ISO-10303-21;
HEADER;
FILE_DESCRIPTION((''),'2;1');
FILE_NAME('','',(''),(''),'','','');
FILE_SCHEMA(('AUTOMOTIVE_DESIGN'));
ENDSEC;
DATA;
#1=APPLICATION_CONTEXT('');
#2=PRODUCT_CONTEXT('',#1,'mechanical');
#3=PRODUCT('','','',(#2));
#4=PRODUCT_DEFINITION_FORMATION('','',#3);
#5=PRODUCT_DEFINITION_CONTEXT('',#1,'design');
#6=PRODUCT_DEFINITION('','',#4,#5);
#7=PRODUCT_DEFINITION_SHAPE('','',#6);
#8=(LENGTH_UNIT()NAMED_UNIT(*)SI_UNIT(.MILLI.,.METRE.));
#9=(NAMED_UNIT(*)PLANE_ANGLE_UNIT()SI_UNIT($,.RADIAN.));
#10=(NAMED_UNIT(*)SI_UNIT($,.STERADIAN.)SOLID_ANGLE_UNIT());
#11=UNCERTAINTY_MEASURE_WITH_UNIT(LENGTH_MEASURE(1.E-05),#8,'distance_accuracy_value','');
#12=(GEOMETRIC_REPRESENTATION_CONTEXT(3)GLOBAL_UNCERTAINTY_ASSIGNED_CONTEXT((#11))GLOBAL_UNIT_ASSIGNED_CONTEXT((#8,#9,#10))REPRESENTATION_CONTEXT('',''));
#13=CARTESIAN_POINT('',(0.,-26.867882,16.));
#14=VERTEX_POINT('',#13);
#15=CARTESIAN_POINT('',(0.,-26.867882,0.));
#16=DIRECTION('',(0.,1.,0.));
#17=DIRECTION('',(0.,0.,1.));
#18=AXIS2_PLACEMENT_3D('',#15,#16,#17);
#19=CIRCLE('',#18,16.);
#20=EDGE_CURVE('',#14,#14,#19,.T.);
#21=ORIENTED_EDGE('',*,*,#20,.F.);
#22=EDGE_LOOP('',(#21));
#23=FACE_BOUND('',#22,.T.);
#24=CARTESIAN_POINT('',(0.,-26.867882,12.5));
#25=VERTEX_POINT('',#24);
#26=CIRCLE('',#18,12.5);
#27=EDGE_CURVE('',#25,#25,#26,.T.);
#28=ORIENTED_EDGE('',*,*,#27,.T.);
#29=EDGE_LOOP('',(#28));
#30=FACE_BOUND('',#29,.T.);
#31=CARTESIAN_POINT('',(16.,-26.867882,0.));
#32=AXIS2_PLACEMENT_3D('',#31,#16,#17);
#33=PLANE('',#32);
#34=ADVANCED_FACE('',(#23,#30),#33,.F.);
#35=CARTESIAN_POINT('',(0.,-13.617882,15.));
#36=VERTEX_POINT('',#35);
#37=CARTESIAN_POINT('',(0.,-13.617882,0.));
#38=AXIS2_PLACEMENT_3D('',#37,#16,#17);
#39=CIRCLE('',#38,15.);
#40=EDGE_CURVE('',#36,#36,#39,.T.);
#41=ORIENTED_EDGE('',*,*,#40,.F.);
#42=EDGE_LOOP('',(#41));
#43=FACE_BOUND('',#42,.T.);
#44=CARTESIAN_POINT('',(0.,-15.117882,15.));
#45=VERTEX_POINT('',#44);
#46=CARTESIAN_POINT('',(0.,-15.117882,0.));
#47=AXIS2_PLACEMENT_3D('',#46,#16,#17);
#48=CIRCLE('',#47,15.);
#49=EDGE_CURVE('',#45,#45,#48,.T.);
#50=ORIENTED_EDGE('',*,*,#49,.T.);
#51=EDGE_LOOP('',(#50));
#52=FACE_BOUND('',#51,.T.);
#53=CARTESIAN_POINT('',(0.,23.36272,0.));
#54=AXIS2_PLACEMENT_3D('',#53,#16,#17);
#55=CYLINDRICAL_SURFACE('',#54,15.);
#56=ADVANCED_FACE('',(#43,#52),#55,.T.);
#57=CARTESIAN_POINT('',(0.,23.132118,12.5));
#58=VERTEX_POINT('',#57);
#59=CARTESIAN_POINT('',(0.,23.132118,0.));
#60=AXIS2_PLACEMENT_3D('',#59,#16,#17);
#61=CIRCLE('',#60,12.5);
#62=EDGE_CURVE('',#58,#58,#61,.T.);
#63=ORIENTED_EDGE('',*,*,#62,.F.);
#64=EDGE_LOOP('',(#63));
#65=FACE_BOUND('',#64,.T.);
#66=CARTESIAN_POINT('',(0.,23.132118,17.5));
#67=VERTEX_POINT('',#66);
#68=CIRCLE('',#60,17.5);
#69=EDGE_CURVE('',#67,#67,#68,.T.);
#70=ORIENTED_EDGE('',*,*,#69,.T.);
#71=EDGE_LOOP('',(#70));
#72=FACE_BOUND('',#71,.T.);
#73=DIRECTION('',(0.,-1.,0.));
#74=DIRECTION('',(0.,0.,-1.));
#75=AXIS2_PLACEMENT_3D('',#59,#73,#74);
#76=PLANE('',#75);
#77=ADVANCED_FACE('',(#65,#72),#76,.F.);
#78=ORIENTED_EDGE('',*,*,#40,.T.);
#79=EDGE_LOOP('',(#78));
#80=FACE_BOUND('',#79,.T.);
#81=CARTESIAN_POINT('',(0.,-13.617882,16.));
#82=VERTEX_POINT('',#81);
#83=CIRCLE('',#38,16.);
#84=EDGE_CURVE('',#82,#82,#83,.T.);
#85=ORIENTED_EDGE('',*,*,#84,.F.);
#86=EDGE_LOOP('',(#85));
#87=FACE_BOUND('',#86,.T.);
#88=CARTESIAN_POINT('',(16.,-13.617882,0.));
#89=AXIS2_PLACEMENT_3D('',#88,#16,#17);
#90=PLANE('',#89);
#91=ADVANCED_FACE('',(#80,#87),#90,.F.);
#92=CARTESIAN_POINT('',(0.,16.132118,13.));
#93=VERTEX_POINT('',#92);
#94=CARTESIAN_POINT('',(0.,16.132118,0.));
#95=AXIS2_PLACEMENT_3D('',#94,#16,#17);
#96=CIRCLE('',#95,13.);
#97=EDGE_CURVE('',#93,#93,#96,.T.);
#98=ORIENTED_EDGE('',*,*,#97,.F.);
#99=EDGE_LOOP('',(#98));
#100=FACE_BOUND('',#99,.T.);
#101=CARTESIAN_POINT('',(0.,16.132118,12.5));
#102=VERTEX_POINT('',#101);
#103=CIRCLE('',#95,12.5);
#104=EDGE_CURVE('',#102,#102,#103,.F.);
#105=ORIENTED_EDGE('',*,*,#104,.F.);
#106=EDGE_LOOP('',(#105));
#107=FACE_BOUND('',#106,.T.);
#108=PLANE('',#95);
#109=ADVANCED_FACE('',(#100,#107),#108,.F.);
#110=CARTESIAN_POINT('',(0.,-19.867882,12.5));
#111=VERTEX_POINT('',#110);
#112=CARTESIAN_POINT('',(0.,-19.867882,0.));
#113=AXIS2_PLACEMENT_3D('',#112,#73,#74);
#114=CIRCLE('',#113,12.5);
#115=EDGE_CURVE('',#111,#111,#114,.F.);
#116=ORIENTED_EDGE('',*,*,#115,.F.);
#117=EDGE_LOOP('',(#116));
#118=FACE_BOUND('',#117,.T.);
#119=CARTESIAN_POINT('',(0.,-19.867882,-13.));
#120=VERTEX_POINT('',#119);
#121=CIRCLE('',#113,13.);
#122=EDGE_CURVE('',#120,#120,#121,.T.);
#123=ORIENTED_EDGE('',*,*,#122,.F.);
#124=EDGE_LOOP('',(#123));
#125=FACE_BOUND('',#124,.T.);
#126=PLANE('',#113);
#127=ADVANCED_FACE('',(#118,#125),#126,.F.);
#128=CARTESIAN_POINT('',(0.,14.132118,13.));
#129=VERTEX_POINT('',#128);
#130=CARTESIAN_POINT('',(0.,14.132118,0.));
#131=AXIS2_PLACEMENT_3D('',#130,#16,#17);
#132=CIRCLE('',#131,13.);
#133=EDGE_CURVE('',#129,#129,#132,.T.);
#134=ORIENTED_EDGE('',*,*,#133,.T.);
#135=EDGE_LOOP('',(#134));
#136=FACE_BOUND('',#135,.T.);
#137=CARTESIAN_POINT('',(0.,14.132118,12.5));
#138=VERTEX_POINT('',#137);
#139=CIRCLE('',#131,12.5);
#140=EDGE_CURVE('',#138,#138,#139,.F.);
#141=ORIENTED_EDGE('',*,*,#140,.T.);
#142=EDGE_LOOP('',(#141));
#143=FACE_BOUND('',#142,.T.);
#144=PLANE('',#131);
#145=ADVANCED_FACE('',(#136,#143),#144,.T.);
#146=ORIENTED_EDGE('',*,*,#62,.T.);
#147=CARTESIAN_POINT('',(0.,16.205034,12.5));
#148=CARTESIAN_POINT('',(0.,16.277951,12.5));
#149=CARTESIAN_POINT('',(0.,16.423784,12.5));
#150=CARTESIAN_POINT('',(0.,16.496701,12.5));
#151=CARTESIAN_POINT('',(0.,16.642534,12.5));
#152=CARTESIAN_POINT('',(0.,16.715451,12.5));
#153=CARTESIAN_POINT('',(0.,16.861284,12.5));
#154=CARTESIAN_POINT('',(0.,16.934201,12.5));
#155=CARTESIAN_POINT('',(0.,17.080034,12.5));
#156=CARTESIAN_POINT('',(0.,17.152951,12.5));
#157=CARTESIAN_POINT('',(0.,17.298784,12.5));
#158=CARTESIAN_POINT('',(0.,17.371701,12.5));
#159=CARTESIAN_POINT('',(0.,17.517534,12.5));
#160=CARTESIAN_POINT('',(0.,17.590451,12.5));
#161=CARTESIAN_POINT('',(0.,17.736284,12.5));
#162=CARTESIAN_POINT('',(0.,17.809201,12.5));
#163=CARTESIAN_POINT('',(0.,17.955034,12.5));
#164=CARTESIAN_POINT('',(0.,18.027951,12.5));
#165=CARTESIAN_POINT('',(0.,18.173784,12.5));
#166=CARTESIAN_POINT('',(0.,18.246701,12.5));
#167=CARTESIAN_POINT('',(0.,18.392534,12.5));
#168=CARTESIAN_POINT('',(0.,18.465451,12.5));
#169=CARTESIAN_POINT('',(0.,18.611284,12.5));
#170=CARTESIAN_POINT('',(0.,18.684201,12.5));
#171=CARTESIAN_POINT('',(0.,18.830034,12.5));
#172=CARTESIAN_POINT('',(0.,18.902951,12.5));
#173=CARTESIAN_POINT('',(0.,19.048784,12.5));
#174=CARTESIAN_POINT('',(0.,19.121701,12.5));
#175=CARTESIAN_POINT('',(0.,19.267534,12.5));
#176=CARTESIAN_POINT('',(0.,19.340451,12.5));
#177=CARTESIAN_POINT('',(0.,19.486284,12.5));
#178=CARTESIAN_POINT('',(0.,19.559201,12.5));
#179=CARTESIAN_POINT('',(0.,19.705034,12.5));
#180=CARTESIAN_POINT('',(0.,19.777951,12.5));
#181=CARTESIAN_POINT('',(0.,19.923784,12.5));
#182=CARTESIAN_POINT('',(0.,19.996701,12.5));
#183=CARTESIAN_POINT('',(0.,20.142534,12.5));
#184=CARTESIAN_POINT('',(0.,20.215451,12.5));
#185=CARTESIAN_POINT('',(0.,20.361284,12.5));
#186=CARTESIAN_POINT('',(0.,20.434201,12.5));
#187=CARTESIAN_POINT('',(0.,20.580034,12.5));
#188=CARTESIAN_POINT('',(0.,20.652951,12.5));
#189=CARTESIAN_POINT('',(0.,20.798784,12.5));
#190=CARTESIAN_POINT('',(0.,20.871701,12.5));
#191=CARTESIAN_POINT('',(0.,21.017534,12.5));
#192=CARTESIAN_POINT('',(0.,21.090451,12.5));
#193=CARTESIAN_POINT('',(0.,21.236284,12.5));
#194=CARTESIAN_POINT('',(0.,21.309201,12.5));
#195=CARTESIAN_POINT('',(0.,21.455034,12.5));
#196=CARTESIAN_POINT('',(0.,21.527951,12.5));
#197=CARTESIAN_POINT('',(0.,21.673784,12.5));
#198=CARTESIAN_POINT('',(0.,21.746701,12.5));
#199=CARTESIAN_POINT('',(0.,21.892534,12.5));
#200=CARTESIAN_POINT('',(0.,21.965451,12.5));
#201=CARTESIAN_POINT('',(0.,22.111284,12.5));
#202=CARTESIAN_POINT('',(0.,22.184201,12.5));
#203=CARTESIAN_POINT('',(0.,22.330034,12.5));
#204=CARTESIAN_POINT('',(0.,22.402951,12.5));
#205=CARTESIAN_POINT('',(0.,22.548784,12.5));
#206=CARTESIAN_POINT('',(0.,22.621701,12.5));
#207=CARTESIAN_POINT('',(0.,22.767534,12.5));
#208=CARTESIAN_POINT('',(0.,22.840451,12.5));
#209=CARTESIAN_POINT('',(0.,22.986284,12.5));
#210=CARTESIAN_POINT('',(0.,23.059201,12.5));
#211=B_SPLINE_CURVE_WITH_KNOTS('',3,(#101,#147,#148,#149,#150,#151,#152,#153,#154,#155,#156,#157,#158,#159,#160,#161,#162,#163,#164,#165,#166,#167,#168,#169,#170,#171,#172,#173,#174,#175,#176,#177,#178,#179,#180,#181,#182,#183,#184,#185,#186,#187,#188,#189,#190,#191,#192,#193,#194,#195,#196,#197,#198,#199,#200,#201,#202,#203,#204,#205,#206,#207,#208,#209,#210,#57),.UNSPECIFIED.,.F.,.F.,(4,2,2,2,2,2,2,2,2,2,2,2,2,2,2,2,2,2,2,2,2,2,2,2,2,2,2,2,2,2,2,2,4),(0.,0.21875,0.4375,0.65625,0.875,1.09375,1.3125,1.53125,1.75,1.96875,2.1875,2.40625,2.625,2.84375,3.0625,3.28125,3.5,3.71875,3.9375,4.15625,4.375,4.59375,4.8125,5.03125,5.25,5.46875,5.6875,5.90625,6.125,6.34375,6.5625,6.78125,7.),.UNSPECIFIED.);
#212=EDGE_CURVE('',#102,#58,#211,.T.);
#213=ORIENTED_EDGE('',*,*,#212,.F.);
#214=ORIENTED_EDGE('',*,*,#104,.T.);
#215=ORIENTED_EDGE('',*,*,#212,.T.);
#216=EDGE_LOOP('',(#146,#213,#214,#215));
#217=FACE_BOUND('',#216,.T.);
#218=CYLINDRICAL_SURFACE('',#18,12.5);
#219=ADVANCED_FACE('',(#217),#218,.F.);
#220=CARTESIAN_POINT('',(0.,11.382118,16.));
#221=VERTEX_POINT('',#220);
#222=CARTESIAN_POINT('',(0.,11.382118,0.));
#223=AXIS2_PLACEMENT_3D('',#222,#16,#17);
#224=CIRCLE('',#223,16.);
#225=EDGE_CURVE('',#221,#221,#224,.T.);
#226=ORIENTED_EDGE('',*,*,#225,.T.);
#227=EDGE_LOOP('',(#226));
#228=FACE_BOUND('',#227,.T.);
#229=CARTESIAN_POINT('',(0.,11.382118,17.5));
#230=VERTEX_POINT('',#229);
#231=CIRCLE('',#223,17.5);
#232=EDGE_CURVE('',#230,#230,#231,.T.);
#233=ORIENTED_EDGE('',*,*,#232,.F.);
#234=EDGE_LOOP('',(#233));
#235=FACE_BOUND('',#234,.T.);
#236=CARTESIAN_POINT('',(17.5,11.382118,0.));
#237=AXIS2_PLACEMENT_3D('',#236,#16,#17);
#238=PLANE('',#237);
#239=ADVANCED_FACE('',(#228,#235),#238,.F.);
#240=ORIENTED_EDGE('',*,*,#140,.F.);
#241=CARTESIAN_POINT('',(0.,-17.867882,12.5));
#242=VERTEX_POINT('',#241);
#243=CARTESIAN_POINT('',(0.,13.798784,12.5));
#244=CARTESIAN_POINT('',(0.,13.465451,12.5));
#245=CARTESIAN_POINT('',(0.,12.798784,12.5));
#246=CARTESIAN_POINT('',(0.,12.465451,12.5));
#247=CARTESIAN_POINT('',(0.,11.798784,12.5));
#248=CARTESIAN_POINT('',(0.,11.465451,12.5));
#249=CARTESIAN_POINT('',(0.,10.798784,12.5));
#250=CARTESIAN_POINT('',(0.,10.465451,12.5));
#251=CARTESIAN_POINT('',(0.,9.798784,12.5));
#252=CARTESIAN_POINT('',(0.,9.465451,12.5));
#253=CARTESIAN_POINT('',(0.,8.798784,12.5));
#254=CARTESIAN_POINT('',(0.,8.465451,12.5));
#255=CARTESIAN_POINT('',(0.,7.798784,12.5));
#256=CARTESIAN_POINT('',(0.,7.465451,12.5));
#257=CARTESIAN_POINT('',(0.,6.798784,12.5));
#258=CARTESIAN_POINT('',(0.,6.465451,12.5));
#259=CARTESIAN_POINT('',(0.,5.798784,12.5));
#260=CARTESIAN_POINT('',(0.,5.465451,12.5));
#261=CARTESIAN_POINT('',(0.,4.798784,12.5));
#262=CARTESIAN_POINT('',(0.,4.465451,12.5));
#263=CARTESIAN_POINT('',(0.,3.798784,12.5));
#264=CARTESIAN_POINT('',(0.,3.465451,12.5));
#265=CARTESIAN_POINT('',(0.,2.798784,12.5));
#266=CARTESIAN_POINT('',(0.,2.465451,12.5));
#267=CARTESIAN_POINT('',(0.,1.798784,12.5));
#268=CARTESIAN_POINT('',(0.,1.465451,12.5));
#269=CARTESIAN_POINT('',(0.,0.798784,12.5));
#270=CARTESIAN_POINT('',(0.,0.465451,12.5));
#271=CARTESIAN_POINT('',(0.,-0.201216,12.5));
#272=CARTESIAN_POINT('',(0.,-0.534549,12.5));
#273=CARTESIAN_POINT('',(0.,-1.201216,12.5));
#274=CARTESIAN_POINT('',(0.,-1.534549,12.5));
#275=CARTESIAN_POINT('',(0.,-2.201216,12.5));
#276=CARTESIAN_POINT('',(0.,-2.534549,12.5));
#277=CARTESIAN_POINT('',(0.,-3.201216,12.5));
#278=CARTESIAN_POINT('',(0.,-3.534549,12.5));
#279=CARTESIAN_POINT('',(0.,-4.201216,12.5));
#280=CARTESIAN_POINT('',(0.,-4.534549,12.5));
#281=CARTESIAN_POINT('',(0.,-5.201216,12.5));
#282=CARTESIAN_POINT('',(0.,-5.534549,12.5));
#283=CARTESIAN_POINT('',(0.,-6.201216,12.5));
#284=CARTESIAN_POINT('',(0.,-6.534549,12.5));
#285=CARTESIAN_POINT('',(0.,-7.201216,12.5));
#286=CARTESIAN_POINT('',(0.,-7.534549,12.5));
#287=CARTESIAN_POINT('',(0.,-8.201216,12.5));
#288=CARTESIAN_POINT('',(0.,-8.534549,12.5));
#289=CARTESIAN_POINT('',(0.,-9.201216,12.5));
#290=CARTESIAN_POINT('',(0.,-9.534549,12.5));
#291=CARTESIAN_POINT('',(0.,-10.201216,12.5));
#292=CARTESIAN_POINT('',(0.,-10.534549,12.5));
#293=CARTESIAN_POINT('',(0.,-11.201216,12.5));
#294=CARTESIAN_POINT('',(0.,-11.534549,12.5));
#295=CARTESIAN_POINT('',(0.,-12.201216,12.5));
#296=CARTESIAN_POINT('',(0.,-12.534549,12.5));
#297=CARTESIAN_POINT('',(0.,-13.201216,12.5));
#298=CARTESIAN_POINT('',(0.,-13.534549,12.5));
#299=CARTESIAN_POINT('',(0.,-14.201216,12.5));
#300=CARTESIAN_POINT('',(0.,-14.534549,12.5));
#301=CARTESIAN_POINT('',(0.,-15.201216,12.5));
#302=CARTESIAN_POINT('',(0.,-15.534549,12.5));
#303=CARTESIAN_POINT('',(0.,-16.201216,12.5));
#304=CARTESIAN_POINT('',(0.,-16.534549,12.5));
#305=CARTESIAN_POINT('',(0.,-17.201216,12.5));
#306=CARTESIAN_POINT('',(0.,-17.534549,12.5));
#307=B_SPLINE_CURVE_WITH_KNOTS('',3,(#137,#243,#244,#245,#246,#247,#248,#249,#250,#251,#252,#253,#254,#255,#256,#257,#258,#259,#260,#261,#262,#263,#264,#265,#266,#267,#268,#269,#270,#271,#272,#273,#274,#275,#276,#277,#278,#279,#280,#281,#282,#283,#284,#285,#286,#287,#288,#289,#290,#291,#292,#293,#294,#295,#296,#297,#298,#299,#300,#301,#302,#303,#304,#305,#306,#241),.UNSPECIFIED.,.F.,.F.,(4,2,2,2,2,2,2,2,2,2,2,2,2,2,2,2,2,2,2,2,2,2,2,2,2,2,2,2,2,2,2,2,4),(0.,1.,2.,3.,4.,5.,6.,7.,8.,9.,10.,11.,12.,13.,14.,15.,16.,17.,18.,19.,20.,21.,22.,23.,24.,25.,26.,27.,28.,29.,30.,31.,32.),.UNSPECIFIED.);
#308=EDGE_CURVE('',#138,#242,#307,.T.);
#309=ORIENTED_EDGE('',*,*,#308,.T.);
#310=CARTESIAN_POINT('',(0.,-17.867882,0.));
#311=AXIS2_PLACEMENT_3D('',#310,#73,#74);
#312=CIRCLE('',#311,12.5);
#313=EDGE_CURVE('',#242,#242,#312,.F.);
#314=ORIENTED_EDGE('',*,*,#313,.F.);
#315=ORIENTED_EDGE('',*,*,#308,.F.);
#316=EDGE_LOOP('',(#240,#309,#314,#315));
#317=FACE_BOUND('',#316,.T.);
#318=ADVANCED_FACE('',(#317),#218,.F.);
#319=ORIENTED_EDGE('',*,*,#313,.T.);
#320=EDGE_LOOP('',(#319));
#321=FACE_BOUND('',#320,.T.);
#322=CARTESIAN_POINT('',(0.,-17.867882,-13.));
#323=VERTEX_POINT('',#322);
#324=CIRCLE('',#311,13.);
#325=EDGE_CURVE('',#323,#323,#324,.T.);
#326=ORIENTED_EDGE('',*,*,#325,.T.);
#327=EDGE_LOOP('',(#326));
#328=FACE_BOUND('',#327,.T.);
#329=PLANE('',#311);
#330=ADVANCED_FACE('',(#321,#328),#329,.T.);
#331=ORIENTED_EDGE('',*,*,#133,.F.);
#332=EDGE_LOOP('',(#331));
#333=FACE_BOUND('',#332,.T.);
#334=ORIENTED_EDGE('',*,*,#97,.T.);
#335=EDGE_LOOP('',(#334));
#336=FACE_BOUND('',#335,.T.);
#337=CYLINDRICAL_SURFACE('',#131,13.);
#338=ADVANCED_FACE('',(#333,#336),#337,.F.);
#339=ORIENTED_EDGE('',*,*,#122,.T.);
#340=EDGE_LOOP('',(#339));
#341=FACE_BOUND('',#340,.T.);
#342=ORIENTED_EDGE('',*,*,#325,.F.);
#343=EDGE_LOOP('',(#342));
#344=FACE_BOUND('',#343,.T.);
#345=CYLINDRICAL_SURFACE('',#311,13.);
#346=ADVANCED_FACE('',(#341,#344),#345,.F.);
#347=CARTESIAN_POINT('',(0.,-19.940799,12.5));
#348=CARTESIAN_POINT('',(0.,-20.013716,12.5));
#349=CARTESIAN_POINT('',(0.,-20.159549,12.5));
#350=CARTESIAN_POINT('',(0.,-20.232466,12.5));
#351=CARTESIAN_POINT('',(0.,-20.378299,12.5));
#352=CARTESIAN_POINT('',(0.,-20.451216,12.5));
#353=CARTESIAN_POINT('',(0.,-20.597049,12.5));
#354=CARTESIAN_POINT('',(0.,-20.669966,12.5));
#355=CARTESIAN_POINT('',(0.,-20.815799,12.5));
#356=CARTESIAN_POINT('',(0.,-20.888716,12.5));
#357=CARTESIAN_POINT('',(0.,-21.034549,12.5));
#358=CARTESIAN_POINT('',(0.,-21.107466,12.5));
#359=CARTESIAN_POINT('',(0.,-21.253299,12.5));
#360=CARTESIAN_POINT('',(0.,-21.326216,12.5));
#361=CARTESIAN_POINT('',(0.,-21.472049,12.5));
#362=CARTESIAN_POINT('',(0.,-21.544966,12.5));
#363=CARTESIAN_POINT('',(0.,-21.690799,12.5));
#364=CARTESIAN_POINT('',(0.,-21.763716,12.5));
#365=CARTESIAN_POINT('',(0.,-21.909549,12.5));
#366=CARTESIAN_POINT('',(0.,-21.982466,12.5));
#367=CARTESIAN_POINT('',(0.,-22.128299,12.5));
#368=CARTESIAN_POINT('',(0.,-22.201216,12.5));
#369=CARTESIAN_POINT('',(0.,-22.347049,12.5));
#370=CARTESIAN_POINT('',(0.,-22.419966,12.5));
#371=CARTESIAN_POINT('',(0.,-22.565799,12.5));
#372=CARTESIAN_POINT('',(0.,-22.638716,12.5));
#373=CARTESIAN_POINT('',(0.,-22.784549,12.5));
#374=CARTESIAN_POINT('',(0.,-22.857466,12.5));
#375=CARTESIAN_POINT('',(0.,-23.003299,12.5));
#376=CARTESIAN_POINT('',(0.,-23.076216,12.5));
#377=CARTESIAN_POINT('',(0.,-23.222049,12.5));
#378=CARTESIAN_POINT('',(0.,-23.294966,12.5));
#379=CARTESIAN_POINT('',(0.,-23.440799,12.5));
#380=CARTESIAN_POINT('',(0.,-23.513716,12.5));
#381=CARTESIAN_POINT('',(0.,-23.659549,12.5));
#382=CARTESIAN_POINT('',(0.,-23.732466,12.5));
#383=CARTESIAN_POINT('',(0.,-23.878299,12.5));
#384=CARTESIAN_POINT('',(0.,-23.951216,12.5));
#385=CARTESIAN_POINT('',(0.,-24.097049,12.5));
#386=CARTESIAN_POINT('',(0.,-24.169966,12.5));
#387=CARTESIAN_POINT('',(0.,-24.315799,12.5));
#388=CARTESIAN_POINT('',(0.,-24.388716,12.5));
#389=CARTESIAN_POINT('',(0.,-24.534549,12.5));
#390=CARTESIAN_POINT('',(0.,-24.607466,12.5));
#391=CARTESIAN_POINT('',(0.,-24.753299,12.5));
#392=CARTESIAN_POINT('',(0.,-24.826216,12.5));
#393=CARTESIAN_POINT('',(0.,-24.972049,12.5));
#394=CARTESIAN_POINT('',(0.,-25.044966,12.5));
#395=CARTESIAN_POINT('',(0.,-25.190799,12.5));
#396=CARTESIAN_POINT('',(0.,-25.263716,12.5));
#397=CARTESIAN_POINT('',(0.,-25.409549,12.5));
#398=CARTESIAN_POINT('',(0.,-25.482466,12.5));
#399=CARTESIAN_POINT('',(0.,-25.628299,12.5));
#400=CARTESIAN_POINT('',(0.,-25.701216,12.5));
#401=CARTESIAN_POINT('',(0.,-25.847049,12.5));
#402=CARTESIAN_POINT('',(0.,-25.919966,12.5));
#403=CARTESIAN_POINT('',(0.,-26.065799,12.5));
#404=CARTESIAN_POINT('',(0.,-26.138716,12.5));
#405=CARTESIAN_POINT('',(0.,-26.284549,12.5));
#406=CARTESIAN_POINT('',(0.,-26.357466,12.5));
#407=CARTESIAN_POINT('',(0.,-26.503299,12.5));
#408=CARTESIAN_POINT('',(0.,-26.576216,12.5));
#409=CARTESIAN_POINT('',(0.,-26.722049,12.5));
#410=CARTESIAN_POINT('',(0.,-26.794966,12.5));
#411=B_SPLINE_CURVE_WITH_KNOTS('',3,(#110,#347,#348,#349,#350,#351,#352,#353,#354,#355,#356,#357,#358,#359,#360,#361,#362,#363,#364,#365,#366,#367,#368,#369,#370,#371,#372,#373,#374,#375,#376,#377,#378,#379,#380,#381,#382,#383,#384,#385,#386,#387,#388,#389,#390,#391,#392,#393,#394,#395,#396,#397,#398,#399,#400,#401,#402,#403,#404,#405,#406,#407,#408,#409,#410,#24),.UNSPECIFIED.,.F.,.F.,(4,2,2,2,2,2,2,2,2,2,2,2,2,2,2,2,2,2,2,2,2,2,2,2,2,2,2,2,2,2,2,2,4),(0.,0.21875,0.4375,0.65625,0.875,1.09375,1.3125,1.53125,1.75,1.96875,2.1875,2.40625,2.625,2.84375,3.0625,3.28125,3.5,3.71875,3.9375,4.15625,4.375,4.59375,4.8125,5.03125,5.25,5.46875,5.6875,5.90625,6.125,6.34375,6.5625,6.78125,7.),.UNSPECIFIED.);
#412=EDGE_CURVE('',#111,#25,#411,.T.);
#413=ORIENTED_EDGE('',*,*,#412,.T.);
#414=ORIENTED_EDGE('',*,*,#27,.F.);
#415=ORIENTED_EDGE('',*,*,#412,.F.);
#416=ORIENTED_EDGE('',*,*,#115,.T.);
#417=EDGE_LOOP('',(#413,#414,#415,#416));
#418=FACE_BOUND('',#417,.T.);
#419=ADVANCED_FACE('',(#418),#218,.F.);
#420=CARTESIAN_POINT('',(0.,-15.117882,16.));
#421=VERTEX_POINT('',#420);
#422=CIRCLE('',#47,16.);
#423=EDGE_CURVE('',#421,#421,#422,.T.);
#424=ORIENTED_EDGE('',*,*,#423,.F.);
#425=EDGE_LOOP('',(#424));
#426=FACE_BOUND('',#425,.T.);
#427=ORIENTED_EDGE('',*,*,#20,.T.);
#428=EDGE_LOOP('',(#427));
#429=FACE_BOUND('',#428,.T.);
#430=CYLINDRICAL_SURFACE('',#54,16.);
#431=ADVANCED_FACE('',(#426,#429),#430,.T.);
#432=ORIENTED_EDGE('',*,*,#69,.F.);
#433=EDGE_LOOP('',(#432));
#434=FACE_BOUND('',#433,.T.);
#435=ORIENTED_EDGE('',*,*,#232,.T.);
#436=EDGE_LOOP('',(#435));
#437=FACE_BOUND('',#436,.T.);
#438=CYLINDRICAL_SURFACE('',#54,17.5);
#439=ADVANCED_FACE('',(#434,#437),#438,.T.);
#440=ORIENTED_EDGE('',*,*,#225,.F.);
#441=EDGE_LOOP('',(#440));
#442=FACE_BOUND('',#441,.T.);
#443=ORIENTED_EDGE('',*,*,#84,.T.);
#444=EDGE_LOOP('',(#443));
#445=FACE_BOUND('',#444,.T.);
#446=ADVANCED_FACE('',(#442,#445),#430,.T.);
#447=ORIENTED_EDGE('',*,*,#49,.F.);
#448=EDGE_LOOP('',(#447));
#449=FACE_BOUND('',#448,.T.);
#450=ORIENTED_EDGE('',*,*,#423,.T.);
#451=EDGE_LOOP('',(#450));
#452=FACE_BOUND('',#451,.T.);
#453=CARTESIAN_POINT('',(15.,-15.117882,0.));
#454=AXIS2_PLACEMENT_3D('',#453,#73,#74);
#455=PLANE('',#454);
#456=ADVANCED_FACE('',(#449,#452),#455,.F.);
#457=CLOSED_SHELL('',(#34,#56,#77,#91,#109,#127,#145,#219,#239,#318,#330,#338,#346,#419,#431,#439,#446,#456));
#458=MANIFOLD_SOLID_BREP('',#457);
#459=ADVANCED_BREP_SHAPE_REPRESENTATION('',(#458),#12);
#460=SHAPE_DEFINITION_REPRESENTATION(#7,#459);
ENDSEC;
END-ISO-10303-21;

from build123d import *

# Parameters (mm, degrees)
SKETCH2_R          = 12.5
CUT_EXTRUDE1_DEPTH = 56.789784011
SKETCH3_R          = 13
CUT_EXTRUDE2_DEPTH = 2
CUT_EXTRUDE3_START = -2
SKETCH4_R          = 13
CUT_EXTRUDE3_DEPTH = 2


with BuildPart() as part:
    # Sketch1 → Revolve1 (revolve)
    with BuildSketch(Plane.XY, mode=Mode.PRIVATE) as revolve1_sk:
        Polygon((0, 23.132117765), (17.5, 23.132117765), (17.5, 11.382117765), (16, 11.382117765), (16, -13.617882235), (15, -13.617882235), (15, -15.117882235), (16, -15.117882235), (16, -26.867882235), (0, -26.867882235), align=None)
    revolve(revolve1_sk.sketch.rotate(Axis((0, 23.362720403, 0), (0, -1, 0)), 90), axis=Axis((0, 23.362720403, 0), (0, -1, 0)))

    # Sketch2 → Cut-Extrude1 (cut, through all)
    with BuildSketch(Plane(origin=(0, 23.132117765, 0), x_dir=(1, 0, 0), z_dir=(0, 1, 0))):
        with Locations(Location((0, 0, 0), (0, 0, 270))):
            Circle(SKETCH2_R)
    extrude(amount=-CUT_EXTRUDE1_DEPTH, mode=Mode.SUBTRACT)

    # Sketch3 → Cut-Extrude2 (cut)
    with BuildSketch(Plane(origin=(0, 16.132117765, 0), x_dir=(1, 0, 0), z_dir=(0, 1, 0))):
        with Locations(Location((0, 0, 0), (0, 0, 270))):
            Circle(SKETCH3_R)
    extrude(amount=-CUT_EXTRUDE2_DEPTH, mode=Mode.SUBTRACT)

    # Sketch4 → Cut-Extrude3 (cut)
    with BuildSketch(Plane(origin=(0, -19.867882235, 0), x_dir=(-1, 0, 0), z_dir=(0, -1, 0)).offset(CUT_EXTRUDE3_START)):
        with Locations(Location((0, 0, 0), (0, 0, 270))):
            Circle(SKETCH4_R)
    extrude(amount=CUT_EXTRUDE3_DEPTH, mode=Mode.SUBTRACT)


solid = part.part
